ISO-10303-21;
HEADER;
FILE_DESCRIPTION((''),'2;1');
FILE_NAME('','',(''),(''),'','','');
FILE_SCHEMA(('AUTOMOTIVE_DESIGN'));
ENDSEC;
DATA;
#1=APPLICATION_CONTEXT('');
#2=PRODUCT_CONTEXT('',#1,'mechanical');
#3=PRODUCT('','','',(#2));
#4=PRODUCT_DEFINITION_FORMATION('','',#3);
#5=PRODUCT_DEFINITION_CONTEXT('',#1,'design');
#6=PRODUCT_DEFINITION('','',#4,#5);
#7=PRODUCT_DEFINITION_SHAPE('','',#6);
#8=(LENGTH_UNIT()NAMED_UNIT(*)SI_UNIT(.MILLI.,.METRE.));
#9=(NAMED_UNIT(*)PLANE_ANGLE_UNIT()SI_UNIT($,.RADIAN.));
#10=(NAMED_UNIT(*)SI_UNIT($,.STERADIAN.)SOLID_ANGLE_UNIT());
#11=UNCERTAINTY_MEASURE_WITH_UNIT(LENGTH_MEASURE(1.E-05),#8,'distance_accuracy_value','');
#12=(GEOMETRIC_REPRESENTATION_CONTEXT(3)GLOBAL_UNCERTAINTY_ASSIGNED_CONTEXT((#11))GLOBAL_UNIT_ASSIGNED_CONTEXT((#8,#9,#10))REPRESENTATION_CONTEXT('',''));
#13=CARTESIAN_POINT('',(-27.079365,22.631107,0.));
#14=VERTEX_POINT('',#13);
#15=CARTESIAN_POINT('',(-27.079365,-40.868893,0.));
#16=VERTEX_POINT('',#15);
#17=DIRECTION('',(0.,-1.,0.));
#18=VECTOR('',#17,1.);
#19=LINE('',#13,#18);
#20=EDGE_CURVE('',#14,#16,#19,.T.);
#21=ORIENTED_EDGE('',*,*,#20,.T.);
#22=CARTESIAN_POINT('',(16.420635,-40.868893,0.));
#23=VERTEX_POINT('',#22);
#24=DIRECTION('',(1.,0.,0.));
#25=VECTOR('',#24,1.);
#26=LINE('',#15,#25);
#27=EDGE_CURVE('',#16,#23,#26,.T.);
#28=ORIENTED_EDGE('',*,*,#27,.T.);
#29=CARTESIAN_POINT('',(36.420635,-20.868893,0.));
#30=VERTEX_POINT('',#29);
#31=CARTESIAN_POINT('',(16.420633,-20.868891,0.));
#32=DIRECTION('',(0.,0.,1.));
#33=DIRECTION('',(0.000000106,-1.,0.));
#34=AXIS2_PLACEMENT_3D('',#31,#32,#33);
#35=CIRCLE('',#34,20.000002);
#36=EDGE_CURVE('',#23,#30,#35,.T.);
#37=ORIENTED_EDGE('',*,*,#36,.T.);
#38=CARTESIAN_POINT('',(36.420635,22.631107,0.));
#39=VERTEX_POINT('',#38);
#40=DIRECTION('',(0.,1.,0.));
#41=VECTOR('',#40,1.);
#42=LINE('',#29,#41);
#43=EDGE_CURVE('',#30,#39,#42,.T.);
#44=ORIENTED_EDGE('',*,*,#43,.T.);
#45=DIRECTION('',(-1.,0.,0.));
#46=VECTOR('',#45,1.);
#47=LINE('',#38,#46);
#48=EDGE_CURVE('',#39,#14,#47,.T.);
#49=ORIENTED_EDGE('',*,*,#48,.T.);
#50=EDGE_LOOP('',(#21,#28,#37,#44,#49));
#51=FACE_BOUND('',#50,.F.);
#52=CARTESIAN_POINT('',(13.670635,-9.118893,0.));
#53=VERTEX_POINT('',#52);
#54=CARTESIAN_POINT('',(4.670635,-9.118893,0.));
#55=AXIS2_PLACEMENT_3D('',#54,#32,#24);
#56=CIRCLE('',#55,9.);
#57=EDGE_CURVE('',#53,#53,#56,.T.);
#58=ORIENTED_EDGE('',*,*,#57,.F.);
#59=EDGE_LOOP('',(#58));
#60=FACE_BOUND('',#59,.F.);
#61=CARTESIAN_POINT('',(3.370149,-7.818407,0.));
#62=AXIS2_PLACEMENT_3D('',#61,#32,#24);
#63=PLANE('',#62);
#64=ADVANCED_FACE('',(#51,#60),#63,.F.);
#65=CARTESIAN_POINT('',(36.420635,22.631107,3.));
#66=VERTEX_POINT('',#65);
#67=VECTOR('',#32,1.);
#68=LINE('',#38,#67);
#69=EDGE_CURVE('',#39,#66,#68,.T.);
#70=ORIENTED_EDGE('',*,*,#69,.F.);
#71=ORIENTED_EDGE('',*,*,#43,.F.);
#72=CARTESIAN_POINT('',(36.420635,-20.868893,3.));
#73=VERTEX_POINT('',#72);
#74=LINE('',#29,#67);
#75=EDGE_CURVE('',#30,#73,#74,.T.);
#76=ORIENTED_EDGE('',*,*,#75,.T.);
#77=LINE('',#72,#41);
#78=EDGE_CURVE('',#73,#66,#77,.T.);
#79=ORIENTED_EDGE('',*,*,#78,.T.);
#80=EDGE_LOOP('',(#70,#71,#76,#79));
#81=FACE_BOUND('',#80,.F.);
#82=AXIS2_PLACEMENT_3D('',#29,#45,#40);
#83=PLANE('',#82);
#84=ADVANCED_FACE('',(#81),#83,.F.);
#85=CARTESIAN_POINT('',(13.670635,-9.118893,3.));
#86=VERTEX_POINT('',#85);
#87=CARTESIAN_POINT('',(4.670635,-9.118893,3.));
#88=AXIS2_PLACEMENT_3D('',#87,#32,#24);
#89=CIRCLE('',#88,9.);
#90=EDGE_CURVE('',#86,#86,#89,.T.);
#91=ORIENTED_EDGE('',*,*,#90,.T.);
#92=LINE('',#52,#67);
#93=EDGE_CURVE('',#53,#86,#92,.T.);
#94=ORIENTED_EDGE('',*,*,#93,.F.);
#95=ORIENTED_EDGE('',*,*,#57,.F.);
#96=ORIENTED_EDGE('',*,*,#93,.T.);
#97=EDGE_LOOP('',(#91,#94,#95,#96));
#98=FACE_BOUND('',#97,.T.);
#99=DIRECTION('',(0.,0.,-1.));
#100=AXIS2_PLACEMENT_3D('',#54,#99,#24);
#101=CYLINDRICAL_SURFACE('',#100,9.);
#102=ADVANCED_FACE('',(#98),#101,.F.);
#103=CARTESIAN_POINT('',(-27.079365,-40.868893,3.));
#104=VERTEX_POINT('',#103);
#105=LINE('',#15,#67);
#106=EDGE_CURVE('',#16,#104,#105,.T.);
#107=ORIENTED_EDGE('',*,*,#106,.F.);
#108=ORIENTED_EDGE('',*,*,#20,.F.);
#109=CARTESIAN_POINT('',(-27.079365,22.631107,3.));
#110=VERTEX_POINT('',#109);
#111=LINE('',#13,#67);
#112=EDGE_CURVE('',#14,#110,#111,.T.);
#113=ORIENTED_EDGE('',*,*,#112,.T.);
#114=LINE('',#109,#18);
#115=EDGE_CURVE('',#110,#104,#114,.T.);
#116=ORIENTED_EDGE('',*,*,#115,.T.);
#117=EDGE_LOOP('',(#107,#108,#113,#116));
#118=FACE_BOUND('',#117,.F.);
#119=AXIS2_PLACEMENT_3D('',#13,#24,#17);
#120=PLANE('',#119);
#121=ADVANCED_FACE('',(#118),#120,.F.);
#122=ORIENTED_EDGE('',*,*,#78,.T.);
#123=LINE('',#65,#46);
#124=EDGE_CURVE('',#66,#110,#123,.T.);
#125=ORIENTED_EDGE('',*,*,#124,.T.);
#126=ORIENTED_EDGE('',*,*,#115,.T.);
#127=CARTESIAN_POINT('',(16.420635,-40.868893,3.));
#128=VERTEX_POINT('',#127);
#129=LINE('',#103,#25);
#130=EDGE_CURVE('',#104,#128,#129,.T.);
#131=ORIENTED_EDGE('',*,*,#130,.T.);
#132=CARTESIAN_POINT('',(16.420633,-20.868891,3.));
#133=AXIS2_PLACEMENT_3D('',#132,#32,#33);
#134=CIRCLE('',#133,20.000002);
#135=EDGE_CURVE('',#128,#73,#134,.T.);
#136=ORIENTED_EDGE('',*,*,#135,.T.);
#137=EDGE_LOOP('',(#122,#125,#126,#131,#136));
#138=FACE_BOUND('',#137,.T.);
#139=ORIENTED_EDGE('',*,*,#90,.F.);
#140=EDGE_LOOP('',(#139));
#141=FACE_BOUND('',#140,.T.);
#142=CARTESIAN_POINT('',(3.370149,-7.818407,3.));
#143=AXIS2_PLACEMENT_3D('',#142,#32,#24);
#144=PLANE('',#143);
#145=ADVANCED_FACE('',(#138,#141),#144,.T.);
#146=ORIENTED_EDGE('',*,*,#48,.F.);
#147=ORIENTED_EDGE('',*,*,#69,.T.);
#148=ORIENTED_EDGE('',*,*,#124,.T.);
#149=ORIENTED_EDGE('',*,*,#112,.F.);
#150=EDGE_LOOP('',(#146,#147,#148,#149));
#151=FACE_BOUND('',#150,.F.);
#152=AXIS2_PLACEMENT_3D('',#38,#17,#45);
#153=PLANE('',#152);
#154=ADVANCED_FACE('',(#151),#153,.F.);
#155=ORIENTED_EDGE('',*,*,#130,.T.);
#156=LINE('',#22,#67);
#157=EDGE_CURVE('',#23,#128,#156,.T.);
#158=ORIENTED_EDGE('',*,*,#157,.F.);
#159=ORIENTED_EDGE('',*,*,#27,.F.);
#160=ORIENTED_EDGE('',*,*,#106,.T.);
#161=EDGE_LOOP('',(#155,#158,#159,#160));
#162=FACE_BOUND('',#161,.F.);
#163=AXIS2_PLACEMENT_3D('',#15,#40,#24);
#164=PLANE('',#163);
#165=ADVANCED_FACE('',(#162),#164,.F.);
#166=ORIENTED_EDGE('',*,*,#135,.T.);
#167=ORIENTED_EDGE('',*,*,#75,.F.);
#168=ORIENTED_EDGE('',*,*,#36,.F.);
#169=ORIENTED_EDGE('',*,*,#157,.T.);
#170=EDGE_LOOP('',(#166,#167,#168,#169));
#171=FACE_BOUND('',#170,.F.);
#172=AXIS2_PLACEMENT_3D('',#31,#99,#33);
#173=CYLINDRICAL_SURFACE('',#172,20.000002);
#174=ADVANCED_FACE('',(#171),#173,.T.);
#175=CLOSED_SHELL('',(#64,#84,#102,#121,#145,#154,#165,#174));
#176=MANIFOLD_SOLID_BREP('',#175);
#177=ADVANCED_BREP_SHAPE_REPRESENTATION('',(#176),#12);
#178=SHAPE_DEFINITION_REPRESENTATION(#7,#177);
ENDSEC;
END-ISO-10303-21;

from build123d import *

# Parameters (mm, degrees)
F0_R     = 9
F1_DEPTH = 3


with BuildPart() as f1:
    # F0 (on Top) → F1 (new body)
    with BuildSketch(Plane.XY):
        with BuildLine():
            Line((36.420635, 22.631107), (-27.079365, 22.631107))
            Line((-27.079365, 22.631107), (-27.079365, -40.868893))
            Line((-27.079365, -40.868893), (16.420635, -40.868893))
            ThreePointArc((16.420635, -40.868893), (30.56277, -35.011028), (36.420635, -20.868893))
            Line((36.420635, -20.868893), (36.420635, 22.631107))
        make_face()
        with Locations((4.670635, -9.118893)):
            Circle(F0_R, mode=Mode.SUBTRACT)
    extrude(amount=F1_DEPTH)


solid = f1.part
